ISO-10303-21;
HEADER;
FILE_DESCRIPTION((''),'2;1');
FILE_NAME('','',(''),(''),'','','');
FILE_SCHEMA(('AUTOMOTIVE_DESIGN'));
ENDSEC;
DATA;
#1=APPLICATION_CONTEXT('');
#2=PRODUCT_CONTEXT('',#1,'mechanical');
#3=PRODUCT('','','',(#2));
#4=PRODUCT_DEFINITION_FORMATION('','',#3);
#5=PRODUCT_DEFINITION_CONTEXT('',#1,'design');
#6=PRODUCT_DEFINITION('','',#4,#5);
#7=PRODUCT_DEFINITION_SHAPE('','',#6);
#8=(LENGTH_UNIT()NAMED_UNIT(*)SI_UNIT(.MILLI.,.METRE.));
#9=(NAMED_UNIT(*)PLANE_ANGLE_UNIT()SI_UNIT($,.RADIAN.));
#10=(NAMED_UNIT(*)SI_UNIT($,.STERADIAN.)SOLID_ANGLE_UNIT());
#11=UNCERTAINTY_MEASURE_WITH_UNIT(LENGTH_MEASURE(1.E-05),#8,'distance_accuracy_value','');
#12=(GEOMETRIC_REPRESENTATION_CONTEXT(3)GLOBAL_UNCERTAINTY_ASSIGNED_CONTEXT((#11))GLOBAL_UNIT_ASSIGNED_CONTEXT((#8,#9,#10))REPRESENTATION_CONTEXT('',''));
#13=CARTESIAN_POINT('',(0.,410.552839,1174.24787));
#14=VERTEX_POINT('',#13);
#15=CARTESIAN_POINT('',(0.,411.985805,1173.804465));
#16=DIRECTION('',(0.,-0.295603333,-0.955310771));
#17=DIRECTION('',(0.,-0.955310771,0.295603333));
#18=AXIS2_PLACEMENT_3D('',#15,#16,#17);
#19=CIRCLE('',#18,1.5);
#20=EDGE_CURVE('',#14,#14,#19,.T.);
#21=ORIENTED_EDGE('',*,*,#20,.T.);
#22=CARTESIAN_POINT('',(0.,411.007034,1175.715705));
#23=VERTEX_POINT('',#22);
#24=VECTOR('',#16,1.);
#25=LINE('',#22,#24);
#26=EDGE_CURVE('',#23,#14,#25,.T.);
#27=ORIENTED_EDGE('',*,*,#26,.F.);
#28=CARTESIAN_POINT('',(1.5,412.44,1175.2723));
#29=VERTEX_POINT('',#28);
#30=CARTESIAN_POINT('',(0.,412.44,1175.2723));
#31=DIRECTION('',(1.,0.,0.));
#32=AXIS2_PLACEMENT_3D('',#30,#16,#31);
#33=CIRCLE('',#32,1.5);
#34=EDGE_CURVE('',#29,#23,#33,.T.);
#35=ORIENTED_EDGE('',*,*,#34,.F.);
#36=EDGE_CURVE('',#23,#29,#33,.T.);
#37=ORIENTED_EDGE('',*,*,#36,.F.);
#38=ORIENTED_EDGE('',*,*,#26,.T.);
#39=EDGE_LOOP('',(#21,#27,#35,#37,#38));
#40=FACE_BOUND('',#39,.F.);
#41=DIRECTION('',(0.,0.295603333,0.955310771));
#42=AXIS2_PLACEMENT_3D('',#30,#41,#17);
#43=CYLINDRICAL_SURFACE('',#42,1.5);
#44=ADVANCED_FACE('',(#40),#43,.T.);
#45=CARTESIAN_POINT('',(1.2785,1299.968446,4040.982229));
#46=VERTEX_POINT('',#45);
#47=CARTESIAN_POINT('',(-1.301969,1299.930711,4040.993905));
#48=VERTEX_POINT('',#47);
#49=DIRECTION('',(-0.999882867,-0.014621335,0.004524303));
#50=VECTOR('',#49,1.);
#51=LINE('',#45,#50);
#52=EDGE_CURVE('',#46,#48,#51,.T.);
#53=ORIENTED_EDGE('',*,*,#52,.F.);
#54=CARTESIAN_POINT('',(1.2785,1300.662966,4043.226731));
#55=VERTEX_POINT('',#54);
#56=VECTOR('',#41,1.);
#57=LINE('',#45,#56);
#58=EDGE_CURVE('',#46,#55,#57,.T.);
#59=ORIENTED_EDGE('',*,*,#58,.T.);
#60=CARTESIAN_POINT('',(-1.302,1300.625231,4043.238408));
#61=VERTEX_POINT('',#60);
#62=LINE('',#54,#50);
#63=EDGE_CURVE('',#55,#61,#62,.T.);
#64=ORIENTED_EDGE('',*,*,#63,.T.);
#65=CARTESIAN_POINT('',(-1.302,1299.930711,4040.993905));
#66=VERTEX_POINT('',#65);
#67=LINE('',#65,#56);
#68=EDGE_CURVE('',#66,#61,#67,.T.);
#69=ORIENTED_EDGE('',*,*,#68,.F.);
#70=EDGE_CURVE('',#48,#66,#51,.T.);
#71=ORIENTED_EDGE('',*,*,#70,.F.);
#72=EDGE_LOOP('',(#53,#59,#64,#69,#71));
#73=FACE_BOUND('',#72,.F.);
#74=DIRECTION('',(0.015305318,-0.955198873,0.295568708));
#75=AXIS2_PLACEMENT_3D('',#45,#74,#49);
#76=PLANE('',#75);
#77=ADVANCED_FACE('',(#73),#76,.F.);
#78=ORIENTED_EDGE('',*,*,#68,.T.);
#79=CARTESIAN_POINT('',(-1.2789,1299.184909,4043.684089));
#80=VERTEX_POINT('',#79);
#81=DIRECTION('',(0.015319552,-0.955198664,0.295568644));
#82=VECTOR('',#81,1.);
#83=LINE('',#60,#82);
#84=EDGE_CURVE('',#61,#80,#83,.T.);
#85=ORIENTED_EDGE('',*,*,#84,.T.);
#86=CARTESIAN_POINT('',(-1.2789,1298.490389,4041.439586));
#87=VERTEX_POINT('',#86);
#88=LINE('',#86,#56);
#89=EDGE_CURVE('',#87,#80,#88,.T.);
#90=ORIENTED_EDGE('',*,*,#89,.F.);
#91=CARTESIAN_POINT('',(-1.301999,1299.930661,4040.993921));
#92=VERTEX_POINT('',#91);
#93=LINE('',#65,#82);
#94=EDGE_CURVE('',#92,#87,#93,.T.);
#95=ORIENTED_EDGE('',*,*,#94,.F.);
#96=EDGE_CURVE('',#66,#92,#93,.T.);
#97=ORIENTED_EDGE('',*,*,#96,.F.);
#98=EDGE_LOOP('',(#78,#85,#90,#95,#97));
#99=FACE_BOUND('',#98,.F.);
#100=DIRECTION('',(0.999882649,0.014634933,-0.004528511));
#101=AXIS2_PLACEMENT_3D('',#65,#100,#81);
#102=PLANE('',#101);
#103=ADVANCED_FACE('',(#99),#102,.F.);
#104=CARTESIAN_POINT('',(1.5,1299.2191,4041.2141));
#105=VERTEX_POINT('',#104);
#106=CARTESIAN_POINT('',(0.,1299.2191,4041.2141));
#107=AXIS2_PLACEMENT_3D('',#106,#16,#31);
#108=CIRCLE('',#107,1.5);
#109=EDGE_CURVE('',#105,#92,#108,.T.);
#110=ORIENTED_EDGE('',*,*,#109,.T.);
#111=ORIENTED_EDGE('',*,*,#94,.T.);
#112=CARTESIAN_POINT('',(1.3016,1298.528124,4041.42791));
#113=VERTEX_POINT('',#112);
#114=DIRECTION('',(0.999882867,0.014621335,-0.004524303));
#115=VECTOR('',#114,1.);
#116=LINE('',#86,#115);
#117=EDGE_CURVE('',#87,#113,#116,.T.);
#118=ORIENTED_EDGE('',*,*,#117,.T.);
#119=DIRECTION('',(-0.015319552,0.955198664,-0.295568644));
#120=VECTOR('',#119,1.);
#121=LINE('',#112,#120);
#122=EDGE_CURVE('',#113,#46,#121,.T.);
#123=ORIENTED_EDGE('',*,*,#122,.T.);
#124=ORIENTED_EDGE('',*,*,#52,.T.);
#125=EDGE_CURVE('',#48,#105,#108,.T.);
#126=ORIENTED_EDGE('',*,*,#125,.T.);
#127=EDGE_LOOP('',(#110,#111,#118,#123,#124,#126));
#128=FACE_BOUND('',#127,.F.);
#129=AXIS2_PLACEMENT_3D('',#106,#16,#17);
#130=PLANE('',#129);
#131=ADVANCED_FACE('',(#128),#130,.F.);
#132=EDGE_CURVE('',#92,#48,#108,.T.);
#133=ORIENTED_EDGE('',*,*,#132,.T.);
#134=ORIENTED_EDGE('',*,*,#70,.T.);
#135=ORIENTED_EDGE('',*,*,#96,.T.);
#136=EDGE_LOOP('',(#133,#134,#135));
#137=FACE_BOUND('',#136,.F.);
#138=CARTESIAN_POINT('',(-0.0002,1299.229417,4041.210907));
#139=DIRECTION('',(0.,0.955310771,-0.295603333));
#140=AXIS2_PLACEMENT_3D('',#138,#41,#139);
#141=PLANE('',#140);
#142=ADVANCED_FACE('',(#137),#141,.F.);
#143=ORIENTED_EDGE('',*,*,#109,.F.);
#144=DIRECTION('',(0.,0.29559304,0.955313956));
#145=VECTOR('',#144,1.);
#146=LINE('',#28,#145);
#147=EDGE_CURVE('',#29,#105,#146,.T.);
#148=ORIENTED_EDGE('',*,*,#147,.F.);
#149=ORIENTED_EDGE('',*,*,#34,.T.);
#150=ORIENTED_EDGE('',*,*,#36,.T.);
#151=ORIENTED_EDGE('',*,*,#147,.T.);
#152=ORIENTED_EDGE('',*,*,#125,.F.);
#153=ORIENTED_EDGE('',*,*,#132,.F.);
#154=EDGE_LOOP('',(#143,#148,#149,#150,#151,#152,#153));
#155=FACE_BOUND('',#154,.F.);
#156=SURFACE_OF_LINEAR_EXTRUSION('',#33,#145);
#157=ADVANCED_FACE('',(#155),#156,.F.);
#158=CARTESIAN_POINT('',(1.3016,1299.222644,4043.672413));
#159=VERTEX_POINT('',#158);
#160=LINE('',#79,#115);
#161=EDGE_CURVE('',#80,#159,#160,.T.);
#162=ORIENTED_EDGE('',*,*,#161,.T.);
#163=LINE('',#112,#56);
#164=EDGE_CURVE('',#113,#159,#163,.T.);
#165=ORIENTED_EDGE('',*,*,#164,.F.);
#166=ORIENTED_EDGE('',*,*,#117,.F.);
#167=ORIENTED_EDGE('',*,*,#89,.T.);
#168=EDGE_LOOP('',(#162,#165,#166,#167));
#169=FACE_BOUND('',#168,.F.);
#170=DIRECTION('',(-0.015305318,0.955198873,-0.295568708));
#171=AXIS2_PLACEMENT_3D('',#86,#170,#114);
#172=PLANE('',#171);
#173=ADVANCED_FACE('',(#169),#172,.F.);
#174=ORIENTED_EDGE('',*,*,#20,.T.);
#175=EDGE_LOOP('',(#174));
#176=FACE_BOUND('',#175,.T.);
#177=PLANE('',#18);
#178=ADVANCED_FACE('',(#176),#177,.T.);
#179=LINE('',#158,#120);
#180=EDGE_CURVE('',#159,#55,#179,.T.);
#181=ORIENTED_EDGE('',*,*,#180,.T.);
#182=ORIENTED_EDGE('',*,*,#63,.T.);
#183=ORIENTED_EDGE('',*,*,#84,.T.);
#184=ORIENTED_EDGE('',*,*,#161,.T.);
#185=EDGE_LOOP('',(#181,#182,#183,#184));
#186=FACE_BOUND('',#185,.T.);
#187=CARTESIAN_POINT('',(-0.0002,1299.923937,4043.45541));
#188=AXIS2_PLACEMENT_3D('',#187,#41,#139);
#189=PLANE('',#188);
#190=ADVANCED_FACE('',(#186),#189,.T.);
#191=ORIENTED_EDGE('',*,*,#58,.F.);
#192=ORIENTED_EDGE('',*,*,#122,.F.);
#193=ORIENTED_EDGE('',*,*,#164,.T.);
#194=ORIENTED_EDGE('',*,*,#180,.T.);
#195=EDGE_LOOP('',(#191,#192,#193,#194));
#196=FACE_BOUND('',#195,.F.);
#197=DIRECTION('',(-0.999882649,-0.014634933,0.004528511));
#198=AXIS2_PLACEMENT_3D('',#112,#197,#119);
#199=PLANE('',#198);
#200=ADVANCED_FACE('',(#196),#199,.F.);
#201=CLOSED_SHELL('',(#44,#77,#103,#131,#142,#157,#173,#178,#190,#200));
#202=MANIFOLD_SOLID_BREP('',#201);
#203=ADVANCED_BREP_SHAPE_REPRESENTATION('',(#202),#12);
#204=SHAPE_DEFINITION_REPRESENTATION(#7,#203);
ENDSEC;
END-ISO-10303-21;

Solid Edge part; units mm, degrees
sketch "Sketch1" plane through (0, 0, 0) normal (1, 0, 0) x (0, 1, 0)
  line L0 (412.44, 1175.2723) -> (1299.2191, 4041.2141)
  dimension "D1" = 3000
sketch "Sketch2" plane through (0, 412.44, 1175.2723) normal (0, -0.2956, -0.9553) x (1, 0, 0)
  circle A0 centre (0, 0) radius 1.5
sweep "SweptProtrusion1" add profiles "Sketch2" path "Sketch1"
sketch "Sketch3" plane through (0, 412.44, 1175.2723) normal (0, -0.2956, -0.9553) x (0, -0.9553, 0.2956)
  circle A0 centre (0, 0) radius 1.5
extrude "ExtrudedProtrusion_2" add sketch "Sketch3" along normal blind 1.5365
sketch "Sketch4" plane through (0, 1299.2191, 4041.2141) normal (0, 0.2956, 0.9553) x (0, -0.9553, 0.2956)
  line L0 (-0.7844, 1.2785) -> (-0.7449, -1.302)
  line L1 (-0.7449, -1.302) -> (0.7628, -1.2789)
  line L2 (0.7628, -1.2789) -> (0.7233, 1.3016)
  line L3 (0.7233, 1.3016) -> (-0.7844, 1.2785)
extrude "ExtrudedProtrusion_3" add sketch "Sketch4" along normal blind 2.3495
